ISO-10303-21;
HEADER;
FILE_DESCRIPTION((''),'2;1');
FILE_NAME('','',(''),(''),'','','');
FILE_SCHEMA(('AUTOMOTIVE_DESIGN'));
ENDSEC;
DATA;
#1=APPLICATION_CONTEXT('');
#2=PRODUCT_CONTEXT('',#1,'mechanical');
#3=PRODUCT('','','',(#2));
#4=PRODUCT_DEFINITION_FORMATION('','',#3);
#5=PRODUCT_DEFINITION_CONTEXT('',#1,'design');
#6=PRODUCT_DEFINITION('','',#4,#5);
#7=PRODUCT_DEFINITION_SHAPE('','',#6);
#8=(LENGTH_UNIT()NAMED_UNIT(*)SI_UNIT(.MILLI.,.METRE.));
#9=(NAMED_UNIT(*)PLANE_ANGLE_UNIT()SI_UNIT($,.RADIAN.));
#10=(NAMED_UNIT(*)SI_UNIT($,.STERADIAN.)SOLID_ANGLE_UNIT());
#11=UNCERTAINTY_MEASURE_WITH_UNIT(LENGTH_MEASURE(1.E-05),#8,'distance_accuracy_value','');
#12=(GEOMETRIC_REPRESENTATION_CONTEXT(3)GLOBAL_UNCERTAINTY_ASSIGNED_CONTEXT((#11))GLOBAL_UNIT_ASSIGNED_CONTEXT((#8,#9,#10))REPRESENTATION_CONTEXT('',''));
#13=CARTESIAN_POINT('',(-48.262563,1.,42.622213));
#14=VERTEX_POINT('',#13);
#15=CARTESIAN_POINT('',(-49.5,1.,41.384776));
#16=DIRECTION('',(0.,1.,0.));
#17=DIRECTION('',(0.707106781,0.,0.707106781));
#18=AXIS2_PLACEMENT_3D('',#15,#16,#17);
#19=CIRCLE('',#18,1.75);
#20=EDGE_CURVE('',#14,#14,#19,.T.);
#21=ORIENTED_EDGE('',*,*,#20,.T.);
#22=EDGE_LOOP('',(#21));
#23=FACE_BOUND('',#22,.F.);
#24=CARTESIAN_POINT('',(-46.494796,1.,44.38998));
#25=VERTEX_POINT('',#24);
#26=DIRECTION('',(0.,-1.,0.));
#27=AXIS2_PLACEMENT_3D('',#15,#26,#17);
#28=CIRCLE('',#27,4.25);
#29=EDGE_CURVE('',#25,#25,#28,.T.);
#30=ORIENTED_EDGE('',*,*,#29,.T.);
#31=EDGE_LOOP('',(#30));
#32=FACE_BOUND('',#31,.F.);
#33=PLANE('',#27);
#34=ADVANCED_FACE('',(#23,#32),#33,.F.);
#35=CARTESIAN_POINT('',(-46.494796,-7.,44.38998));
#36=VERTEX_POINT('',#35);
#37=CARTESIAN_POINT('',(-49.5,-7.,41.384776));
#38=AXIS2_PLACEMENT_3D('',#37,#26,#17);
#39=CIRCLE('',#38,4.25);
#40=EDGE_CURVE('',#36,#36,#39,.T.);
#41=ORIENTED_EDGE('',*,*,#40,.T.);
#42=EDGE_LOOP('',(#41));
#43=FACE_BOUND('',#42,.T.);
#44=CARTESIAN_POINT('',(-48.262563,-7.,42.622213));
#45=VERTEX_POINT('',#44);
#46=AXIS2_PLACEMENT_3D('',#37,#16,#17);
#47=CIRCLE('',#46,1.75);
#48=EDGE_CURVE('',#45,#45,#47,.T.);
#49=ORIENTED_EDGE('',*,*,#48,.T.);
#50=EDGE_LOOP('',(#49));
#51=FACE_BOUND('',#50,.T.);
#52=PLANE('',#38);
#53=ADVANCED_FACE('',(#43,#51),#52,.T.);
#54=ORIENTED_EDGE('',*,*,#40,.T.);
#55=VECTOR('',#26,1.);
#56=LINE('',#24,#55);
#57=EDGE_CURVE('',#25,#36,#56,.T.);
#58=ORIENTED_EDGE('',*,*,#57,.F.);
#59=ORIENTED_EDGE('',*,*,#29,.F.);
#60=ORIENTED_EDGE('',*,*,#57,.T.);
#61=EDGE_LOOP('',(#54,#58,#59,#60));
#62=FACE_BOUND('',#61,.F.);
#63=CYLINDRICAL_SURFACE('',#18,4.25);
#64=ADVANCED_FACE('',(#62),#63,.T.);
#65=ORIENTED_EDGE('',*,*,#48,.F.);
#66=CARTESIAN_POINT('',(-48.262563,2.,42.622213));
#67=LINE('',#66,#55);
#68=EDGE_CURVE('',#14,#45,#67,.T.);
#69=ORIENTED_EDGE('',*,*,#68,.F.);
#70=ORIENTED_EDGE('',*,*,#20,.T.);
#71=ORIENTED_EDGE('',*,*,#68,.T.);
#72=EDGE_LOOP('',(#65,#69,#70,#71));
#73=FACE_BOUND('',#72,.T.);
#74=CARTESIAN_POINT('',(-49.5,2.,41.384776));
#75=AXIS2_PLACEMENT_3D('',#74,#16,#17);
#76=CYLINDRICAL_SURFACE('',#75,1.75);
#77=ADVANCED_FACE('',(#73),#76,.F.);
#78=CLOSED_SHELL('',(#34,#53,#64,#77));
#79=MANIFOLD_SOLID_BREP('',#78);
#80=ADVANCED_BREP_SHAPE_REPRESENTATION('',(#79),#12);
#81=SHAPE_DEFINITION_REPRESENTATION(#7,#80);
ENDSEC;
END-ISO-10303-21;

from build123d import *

# Parameters (mm, degrees)
CYLINDER_R           = 1.75
CYLINDER_DEPTH       = 10
CYLINDER001_R        = 4.25
CYLINDER001_DEPTH    = 8
CLONE001_ROLL_ANGLE  = 90
CLONE001_PITCH_ANGLE = -45


with BuildPart() as spacer_hole_cylinder:
    # Cylinder → Cylinder (new body)
    with BuildSketch(Plane.XY.offset(-1)):
        Circle(CYLINDER_R)
    extrude(amount=CYLINDER_DEPTH)


with BuildPart() as x_motor_spacer_top:
    # Cylinder001 → Cylinder001 (new body)
    with BuildSketch(Plane.XY):
        Circle(CYLINDER001_R)
    extrude(amount=CYLINDER001_DEPTH)

    # Cut002: cut spacer-hole-cylinder
    add(spacer_hole_cylinder.part, mode=Mode.SUBTRACT)


with BuildPart() as x_motor_spacer_top_1:
    # Clone001 roll: moved
    add(x_motor_spacer_top.part.rotate(Axis((0, 0, 0), (1, 0, 0)), CLONE001_ROLL_ANGLE))


with BuildPart() as x_motor_spacer_top_2:
    # Clone001 pitch: moved
    add(x_motor_spacer_top_1.part.rotate(Axis((0, 0, 0), (0, 1, 0)), CLONE001_PITCH_ANGLE))


with BuildPart() as x_motor_spacer_top_3:
    # Clone001 placement: moved
    add(x_motor_spacer_top_2.part.moved(Location((-49.5, 1, 41.384776))))


solid = x_motor_spacer_top_3.part
